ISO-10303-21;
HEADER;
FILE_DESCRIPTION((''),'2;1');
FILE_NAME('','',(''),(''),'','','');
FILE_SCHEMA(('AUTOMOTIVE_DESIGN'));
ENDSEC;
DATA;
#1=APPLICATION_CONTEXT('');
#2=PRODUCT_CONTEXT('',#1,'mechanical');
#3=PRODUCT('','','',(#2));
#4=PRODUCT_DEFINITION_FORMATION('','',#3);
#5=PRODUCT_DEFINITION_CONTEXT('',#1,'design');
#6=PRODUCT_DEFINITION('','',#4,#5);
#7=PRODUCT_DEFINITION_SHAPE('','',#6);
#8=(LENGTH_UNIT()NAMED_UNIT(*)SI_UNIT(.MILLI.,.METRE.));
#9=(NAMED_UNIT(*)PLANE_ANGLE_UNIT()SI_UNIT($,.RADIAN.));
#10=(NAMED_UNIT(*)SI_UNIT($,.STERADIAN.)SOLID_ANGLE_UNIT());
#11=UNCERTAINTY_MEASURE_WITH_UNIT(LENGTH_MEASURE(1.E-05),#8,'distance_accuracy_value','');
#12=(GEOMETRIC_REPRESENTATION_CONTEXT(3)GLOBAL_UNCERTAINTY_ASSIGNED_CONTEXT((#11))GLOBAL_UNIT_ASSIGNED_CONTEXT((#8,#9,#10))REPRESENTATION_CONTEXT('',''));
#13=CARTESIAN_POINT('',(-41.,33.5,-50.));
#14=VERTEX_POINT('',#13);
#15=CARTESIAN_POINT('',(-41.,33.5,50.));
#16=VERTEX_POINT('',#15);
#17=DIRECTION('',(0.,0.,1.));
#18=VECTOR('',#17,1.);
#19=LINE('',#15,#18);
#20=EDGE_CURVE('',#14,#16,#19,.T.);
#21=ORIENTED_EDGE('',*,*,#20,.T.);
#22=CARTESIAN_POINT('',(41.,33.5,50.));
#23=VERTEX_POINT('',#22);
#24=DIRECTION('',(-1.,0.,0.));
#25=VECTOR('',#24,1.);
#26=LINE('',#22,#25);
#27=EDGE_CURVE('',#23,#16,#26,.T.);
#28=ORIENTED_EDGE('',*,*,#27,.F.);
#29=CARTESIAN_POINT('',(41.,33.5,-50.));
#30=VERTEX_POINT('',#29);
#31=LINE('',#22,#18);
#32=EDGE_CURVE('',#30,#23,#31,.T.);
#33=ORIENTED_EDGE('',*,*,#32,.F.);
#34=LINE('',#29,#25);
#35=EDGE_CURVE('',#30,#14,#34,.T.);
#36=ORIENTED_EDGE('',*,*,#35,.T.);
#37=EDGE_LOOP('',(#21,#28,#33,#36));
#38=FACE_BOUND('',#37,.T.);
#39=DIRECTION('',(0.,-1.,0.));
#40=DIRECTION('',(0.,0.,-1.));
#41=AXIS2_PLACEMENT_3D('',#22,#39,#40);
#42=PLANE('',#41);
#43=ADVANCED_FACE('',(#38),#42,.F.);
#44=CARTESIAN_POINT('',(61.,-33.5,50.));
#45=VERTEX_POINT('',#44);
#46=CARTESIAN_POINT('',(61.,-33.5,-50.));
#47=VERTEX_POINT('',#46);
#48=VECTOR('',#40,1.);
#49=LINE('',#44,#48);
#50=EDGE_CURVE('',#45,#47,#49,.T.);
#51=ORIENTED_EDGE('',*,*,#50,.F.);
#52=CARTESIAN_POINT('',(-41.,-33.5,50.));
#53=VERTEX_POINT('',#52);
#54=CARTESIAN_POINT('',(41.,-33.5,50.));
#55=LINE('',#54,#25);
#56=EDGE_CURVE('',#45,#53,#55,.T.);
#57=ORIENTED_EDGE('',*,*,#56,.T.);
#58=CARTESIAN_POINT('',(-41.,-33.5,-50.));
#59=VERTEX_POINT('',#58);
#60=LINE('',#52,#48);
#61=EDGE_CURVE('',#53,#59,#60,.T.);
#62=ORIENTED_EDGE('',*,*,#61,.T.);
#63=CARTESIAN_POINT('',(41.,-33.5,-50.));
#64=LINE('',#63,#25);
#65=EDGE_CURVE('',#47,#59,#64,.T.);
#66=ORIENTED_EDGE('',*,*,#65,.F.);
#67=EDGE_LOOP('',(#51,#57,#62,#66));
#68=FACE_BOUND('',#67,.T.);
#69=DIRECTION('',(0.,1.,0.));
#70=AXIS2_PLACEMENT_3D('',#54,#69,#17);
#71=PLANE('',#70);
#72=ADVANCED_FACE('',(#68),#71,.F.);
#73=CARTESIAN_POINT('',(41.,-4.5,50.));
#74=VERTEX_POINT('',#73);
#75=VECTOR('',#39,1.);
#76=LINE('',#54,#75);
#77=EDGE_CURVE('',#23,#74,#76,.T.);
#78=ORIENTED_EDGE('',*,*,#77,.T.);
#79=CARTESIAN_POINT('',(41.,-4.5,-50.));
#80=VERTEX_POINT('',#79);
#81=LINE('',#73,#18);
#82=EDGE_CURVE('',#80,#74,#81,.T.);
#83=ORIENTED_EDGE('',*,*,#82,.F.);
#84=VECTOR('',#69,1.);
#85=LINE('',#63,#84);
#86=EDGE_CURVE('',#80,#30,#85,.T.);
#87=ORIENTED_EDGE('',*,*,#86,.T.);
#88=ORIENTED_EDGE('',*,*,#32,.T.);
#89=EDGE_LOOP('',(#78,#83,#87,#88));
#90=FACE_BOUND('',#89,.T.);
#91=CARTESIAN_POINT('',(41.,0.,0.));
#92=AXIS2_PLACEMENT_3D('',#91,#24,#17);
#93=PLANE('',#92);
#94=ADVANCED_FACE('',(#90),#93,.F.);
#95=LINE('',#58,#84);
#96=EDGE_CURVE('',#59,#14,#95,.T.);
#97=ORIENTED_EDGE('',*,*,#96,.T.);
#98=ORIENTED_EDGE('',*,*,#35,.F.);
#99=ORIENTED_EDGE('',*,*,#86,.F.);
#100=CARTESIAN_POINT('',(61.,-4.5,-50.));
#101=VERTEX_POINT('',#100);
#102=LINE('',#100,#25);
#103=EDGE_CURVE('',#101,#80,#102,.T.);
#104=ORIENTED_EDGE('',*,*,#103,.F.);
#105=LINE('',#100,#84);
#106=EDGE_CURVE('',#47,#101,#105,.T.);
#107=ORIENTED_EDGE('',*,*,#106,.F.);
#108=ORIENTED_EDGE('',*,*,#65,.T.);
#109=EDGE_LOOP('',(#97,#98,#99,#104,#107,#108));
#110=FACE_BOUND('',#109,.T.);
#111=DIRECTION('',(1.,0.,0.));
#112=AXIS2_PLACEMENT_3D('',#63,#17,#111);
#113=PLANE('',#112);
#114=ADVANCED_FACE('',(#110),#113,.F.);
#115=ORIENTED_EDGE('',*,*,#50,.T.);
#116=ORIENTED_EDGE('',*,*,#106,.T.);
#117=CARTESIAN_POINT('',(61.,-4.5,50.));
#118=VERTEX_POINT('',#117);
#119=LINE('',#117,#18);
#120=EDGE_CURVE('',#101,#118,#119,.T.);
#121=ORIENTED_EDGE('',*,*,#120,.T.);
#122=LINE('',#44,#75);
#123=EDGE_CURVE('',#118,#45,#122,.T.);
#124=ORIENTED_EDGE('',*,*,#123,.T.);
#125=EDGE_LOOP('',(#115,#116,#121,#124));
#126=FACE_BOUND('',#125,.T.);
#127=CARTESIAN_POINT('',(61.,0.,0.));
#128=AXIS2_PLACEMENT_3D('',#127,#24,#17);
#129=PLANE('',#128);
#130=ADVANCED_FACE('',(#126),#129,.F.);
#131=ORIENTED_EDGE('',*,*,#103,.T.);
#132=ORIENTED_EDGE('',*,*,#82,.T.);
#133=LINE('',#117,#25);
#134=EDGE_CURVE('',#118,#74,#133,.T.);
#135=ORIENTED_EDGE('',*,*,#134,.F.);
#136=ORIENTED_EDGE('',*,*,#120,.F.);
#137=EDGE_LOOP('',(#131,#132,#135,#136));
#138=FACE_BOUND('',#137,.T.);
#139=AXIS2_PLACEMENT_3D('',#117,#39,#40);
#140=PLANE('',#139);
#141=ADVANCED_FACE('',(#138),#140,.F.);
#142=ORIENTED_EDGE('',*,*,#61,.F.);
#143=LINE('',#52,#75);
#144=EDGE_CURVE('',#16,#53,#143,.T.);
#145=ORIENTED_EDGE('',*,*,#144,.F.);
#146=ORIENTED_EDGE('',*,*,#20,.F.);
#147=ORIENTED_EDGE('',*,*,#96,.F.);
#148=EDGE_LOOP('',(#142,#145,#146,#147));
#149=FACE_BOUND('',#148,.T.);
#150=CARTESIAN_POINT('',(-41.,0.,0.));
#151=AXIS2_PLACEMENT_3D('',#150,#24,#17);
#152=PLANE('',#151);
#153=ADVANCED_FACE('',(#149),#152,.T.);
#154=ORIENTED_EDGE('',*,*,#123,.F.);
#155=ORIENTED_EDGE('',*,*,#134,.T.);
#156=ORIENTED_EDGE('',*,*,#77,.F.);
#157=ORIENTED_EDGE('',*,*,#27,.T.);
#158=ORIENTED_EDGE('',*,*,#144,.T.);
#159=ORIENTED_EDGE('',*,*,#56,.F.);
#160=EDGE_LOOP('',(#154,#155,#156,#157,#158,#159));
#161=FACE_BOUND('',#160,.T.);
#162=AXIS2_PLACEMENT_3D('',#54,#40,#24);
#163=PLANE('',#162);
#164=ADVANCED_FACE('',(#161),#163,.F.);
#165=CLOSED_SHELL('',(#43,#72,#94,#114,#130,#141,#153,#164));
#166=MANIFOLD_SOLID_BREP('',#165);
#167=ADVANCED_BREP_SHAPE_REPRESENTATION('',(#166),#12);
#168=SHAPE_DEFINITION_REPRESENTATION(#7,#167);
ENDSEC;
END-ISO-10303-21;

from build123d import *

# Parameters (mm, degrees)
SKETCH_1_W      = 100
SKETCH_1_H      = 67
EXTRUDE_1_DEPTH = 41
SKETCH_2_W      = 100
SKETCH_2_H      = 29
EXTRUDE_2_DEPTH = 20


with BuildPart() as part:
    # 草图1 → 凸台-拉伸1 (new, symmetric)
    with BuildSketch(Plane(origin=(0, 0, 0), x_dir=(0, 0, -1), z_dir=(1, 0, 0))):
        Rectangle(SKETCH_1_W, SKETCH_1_H)
    extrude(amount=EXTRUDE_1_DEPTH, both=True)

    # 草图2 → 凸台-拉伸2 (add)
    with BuildSketch(Plane(origin=(41, 0, 0), x_dir=(0, 0, -1), z_dir=(1, 0, 0))):
        with Locations((0, -19)):
            Rectangle(SKETCH_2_W, SKETCH_2_H)
    extrude(amount=EXTRUDE_2_DEPTH)


solid = part.part
